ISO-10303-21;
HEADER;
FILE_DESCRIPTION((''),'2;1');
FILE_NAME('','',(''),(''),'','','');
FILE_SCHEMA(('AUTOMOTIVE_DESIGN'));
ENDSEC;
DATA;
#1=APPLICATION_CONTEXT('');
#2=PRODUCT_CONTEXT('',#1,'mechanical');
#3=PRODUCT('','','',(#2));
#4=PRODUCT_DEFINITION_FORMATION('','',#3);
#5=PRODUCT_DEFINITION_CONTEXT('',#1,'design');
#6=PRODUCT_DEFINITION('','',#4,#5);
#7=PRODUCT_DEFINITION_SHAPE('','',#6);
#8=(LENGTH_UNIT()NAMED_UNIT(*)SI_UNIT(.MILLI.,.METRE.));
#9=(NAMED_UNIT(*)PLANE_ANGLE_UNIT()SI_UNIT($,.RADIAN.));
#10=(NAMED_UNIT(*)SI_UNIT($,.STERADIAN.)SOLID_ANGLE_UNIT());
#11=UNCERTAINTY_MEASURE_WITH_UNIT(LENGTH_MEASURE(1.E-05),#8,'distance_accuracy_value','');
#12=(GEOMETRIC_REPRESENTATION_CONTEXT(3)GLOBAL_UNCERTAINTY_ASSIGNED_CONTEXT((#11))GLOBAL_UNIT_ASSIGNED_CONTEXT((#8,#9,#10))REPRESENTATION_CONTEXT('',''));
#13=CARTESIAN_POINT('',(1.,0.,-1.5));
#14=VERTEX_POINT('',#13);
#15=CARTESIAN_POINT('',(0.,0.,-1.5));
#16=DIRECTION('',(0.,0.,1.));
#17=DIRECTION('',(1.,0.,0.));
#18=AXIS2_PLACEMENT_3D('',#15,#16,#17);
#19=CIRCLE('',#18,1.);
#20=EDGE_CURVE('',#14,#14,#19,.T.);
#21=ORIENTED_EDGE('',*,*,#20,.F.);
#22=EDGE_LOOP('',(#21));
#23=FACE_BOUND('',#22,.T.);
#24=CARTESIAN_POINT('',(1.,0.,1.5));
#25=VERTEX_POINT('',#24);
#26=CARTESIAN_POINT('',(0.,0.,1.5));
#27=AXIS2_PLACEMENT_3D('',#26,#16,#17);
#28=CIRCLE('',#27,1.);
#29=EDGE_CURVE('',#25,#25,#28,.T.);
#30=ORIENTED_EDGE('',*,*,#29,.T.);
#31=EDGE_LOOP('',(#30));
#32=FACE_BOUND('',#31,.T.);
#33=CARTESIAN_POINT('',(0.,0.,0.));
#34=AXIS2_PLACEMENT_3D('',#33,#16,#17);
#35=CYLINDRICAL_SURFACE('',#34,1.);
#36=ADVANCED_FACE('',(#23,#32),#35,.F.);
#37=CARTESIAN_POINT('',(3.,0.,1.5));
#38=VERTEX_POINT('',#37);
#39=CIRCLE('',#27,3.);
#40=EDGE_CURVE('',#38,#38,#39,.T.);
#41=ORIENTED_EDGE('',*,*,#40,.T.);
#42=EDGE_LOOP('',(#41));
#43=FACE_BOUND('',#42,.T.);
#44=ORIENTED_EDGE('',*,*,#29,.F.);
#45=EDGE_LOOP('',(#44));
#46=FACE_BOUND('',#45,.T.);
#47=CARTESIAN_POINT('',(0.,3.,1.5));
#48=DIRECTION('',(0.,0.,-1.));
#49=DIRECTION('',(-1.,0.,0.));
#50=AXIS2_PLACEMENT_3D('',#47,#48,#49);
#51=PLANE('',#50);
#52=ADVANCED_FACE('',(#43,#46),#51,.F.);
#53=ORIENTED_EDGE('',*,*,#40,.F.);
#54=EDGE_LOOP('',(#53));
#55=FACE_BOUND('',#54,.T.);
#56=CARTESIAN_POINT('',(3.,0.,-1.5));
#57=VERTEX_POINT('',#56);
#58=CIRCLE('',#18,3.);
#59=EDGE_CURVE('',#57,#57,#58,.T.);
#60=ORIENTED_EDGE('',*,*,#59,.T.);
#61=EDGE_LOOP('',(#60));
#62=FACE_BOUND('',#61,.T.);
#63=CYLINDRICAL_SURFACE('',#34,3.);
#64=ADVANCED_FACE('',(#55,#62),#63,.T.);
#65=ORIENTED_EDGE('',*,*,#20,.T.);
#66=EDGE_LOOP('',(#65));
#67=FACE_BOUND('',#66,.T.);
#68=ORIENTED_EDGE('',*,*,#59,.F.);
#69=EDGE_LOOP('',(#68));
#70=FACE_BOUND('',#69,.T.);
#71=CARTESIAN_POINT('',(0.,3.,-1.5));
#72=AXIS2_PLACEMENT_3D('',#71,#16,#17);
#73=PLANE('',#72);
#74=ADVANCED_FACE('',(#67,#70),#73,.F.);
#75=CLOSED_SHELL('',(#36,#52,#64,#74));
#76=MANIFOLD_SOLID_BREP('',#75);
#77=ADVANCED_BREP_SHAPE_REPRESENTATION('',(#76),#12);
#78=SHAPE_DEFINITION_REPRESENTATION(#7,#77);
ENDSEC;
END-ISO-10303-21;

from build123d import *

# Parameters (mm, degrees)
ESQUISSE1_W = 3
ESQUISSE1_H = 2


with BuildPart() as part:
    # Esquisse1 → Révolution1 (revolve)
    with BuildSketch(Plane(origin=(0, 0, 0), x_dir=(0, 0, -1), z_dir=(1, 0, 0))):
        with Locations((0, 2)):
            Rectangle(ESQUISSE1_W, ESQUISSE1_H)
    revolve(axis=Axis((0, 0, 0), (0, 0, -1)))


solid = part.part
